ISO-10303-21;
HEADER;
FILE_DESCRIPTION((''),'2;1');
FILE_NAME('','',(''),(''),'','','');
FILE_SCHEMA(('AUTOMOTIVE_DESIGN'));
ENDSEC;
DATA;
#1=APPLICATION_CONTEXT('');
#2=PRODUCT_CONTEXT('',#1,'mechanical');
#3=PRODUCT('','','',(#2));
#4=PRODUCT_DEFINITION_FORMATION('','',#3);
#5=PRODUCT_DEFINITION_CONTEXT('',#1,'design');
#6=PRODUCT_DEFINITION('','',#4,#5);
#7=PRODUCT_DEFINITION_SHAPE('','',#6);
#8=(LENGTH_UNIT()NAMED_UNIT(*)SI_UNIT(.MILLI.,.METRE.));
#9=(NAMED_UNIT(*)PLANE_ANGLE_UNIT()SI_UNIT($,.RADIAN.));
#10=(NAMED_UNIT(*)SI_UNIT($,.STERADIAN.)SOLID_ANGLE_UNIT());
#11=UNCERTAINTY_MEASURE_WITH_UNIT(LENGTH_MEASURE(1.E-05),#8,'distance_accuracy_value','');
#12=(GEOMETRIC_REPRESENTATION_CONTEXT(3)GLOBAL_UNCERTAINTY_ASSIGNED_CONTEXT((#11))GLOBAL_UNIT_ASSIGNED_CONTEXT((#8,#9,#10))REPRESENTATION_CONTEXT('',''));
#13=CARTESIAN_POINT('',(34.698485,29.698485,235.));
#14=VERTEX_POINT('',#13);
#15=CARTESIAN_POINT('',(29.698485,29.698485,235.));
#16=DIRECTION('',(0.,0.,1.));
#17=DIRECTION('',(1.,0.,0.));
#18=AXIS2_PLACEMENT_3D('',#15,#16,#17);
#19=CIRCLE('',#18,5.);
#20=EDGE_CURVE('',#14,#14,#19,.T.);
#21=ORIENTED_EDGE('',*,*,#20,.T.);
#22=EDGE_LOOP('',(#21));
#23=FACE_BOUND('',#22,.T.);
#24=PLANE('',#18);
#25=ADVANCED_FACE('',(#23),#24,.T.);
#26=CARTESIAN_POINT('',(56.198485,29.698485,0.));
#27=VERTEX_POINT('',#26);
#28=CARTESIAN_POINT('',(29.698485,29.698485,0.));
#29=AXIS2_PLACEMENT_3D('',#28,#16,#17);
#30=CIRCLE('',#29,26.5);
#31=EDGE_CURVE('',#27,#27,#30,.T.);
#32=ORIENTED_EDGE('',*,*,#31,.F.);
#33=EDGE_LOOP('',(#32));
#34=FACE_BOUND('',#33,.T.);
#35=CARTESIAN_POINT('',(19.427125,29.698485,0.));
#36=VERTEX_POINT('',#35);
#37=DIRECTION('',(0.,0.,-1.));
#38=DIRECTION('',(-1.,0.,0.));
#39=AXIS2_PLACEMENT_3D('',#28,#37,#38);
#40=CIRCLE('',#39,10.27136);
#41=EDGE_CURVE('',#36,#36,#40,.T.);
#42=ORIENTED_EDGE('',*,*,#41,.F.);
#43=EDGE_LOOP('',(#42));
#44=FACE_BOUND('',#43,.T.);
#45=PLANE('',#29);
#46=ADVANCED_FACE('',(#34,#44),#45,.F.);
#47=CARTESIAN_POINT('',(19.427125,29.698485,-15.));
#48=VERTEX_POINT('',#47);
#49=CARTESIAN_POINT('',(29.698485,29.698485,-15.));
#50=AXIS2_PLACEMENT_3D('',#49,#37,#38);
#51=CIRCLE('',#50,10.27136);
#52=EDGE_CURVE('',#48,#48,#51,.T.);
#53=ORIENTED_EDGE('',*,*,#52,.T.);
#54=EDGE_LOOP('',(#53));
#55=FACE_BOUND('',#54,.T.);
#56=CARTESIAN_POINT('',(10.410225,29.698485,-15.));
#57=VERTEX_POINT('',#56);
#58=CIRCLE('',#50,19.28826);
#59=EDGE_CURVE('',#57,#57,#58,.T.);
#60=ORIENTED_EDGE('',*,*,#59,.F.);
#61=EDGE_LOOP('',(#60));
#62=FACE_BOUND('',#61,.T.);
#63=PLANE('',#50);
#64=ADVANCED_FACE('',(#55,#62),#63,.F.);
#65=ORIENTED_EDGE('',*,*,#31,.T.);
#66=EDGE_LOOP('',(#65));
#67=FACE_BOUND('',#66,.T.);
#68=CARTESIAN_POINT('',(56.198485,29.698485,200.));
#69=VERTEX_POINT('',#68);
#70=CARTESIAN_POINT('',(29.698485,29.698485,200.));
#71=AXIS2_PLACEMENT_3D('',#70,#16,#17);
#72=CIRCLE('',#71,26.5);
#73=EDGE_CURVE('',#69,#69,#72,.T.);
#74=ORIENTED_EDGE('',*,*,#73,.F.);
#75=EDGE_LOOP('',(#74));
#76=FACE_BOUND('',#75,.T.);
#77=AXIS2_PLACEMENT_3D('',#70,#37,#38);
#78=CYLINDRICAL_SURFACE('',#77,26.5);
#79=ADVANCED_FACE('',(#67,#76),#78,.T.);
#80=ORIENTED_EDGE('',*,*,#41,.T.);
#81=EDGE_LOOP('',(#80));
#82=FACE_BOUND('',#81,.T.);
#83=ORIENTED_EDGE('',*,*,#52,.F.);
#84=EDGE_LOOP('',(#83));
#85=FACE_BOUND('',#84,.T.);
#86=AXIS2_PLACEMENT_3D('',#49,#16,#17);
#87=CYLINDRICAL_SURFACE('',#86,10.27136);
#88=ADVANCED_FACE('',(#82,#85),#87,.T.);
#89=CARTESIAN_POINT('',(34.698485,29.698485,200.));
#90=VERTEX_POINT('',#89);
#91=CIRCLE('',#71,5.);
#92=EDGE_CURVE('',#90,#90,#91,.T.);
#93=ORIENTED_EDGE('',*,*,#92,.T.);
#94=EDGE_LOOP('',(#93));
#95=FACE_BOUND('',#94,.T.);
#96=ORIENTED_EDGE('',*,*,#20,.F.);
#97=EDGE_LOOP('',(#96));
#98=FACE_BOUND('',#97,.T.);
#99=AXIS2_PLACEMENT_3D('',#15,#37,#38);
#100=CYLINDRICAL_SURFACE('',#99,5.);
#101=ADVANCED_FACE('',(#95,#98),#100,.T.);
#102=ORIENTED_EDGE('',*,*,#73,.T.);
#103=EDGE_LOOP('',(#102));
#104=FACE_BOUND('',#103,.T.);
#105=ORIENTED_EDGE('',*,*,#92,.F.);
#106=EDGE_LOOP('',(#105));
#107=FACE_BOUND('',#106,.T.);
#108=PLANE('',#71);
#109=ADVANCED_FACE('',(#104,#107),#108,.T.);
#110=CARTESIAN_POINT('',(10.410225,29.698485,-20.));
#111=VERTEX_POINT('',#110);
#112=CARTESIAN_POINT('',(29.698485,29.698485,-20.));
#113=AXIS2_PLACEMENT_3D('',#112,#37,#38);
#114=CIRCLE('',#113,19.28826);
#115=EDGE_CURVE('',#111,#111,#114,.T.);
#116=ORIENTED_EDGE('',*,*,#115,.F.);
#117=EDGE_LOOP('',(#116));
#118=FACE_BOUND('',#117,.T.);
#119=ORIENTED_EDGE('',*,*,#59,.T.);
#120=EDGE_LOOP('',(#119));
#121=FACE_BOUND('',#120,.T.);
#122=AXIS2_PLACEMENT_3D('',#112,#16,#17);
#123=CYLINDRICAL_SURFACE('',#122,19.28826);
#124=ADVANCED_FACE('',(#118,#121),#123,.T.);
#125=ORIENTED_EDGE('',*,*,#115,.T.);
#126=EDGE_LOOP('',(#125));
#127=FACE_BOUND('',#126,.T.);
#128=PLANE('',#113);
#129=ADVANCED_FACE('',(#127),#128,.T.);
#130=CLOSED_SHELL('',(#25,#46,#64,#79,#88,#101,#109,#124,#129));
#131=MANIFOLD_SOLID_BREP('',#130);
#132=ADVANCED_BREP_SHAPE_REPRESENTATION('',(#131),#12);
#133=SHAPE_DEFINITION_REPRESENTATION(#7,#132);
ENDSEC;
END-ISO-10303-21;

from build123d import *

# Parameters (mm, degrees)
SKETCH2_R           = 26.5
BOSS_EXTRUDE1_DEPTH = 200
SKETCH3_R           = 5
BOSS_EXTRUDE2_DEPTH = 35
SKETCH4_R           = 10.271360286
BOSS_EXTRUDE3_DEPTH = 15
SKETCH5_R           = 19.288260132
BOSS_EXTRUDE4_DEPTH = 5


with BuildPart() as part:
    # Sketch2 → Boss-Extrude1 (new body)
    with BuildSketch(Plane.XY):
        with Locations((29.69848481, 29.69848481)):
            Circle(SKETCH2_R)
    extrude(amount=BOSS_EXTRUDE1_DEPTH)

    # Sketch3 → Boss-Extrude2 (add)
    with BuildSketch(Plane.XY.offset(200)):
        with Locations((29.69848481, 29.69848481)):
            Circle(SKETCH3_R)
    extrude(amount=BOSS_EXTRUDE2_DEPTH)

    # Sketch4 → Boss-Extrude3 (add)
    with BuildSketch(Plane(origin=(0, 0, 0), x_dir=(-1, 0, 0), z_dir=(0, 0, -1))):
        with Locations((-29.69848481, 29.69848481)):
            Circle(SKETCH4_R)
    extrude(amount=BOSS_EXTRUDE3_DEPTH)

    # Sketch5 → Boss-Extrude4 (add)
    with BuildSketch(Plane(origin=(0, 0, -15), x_dir=(-1, 0, 0), z_dir=(0, 0, -1))):
        with Locations((-29.69848481, 29.69848481)):
            Circle(SKETCH5_R)
    extrude(amount=BOSS_EXTRUDE4_DEPTH)


solid = part.part
